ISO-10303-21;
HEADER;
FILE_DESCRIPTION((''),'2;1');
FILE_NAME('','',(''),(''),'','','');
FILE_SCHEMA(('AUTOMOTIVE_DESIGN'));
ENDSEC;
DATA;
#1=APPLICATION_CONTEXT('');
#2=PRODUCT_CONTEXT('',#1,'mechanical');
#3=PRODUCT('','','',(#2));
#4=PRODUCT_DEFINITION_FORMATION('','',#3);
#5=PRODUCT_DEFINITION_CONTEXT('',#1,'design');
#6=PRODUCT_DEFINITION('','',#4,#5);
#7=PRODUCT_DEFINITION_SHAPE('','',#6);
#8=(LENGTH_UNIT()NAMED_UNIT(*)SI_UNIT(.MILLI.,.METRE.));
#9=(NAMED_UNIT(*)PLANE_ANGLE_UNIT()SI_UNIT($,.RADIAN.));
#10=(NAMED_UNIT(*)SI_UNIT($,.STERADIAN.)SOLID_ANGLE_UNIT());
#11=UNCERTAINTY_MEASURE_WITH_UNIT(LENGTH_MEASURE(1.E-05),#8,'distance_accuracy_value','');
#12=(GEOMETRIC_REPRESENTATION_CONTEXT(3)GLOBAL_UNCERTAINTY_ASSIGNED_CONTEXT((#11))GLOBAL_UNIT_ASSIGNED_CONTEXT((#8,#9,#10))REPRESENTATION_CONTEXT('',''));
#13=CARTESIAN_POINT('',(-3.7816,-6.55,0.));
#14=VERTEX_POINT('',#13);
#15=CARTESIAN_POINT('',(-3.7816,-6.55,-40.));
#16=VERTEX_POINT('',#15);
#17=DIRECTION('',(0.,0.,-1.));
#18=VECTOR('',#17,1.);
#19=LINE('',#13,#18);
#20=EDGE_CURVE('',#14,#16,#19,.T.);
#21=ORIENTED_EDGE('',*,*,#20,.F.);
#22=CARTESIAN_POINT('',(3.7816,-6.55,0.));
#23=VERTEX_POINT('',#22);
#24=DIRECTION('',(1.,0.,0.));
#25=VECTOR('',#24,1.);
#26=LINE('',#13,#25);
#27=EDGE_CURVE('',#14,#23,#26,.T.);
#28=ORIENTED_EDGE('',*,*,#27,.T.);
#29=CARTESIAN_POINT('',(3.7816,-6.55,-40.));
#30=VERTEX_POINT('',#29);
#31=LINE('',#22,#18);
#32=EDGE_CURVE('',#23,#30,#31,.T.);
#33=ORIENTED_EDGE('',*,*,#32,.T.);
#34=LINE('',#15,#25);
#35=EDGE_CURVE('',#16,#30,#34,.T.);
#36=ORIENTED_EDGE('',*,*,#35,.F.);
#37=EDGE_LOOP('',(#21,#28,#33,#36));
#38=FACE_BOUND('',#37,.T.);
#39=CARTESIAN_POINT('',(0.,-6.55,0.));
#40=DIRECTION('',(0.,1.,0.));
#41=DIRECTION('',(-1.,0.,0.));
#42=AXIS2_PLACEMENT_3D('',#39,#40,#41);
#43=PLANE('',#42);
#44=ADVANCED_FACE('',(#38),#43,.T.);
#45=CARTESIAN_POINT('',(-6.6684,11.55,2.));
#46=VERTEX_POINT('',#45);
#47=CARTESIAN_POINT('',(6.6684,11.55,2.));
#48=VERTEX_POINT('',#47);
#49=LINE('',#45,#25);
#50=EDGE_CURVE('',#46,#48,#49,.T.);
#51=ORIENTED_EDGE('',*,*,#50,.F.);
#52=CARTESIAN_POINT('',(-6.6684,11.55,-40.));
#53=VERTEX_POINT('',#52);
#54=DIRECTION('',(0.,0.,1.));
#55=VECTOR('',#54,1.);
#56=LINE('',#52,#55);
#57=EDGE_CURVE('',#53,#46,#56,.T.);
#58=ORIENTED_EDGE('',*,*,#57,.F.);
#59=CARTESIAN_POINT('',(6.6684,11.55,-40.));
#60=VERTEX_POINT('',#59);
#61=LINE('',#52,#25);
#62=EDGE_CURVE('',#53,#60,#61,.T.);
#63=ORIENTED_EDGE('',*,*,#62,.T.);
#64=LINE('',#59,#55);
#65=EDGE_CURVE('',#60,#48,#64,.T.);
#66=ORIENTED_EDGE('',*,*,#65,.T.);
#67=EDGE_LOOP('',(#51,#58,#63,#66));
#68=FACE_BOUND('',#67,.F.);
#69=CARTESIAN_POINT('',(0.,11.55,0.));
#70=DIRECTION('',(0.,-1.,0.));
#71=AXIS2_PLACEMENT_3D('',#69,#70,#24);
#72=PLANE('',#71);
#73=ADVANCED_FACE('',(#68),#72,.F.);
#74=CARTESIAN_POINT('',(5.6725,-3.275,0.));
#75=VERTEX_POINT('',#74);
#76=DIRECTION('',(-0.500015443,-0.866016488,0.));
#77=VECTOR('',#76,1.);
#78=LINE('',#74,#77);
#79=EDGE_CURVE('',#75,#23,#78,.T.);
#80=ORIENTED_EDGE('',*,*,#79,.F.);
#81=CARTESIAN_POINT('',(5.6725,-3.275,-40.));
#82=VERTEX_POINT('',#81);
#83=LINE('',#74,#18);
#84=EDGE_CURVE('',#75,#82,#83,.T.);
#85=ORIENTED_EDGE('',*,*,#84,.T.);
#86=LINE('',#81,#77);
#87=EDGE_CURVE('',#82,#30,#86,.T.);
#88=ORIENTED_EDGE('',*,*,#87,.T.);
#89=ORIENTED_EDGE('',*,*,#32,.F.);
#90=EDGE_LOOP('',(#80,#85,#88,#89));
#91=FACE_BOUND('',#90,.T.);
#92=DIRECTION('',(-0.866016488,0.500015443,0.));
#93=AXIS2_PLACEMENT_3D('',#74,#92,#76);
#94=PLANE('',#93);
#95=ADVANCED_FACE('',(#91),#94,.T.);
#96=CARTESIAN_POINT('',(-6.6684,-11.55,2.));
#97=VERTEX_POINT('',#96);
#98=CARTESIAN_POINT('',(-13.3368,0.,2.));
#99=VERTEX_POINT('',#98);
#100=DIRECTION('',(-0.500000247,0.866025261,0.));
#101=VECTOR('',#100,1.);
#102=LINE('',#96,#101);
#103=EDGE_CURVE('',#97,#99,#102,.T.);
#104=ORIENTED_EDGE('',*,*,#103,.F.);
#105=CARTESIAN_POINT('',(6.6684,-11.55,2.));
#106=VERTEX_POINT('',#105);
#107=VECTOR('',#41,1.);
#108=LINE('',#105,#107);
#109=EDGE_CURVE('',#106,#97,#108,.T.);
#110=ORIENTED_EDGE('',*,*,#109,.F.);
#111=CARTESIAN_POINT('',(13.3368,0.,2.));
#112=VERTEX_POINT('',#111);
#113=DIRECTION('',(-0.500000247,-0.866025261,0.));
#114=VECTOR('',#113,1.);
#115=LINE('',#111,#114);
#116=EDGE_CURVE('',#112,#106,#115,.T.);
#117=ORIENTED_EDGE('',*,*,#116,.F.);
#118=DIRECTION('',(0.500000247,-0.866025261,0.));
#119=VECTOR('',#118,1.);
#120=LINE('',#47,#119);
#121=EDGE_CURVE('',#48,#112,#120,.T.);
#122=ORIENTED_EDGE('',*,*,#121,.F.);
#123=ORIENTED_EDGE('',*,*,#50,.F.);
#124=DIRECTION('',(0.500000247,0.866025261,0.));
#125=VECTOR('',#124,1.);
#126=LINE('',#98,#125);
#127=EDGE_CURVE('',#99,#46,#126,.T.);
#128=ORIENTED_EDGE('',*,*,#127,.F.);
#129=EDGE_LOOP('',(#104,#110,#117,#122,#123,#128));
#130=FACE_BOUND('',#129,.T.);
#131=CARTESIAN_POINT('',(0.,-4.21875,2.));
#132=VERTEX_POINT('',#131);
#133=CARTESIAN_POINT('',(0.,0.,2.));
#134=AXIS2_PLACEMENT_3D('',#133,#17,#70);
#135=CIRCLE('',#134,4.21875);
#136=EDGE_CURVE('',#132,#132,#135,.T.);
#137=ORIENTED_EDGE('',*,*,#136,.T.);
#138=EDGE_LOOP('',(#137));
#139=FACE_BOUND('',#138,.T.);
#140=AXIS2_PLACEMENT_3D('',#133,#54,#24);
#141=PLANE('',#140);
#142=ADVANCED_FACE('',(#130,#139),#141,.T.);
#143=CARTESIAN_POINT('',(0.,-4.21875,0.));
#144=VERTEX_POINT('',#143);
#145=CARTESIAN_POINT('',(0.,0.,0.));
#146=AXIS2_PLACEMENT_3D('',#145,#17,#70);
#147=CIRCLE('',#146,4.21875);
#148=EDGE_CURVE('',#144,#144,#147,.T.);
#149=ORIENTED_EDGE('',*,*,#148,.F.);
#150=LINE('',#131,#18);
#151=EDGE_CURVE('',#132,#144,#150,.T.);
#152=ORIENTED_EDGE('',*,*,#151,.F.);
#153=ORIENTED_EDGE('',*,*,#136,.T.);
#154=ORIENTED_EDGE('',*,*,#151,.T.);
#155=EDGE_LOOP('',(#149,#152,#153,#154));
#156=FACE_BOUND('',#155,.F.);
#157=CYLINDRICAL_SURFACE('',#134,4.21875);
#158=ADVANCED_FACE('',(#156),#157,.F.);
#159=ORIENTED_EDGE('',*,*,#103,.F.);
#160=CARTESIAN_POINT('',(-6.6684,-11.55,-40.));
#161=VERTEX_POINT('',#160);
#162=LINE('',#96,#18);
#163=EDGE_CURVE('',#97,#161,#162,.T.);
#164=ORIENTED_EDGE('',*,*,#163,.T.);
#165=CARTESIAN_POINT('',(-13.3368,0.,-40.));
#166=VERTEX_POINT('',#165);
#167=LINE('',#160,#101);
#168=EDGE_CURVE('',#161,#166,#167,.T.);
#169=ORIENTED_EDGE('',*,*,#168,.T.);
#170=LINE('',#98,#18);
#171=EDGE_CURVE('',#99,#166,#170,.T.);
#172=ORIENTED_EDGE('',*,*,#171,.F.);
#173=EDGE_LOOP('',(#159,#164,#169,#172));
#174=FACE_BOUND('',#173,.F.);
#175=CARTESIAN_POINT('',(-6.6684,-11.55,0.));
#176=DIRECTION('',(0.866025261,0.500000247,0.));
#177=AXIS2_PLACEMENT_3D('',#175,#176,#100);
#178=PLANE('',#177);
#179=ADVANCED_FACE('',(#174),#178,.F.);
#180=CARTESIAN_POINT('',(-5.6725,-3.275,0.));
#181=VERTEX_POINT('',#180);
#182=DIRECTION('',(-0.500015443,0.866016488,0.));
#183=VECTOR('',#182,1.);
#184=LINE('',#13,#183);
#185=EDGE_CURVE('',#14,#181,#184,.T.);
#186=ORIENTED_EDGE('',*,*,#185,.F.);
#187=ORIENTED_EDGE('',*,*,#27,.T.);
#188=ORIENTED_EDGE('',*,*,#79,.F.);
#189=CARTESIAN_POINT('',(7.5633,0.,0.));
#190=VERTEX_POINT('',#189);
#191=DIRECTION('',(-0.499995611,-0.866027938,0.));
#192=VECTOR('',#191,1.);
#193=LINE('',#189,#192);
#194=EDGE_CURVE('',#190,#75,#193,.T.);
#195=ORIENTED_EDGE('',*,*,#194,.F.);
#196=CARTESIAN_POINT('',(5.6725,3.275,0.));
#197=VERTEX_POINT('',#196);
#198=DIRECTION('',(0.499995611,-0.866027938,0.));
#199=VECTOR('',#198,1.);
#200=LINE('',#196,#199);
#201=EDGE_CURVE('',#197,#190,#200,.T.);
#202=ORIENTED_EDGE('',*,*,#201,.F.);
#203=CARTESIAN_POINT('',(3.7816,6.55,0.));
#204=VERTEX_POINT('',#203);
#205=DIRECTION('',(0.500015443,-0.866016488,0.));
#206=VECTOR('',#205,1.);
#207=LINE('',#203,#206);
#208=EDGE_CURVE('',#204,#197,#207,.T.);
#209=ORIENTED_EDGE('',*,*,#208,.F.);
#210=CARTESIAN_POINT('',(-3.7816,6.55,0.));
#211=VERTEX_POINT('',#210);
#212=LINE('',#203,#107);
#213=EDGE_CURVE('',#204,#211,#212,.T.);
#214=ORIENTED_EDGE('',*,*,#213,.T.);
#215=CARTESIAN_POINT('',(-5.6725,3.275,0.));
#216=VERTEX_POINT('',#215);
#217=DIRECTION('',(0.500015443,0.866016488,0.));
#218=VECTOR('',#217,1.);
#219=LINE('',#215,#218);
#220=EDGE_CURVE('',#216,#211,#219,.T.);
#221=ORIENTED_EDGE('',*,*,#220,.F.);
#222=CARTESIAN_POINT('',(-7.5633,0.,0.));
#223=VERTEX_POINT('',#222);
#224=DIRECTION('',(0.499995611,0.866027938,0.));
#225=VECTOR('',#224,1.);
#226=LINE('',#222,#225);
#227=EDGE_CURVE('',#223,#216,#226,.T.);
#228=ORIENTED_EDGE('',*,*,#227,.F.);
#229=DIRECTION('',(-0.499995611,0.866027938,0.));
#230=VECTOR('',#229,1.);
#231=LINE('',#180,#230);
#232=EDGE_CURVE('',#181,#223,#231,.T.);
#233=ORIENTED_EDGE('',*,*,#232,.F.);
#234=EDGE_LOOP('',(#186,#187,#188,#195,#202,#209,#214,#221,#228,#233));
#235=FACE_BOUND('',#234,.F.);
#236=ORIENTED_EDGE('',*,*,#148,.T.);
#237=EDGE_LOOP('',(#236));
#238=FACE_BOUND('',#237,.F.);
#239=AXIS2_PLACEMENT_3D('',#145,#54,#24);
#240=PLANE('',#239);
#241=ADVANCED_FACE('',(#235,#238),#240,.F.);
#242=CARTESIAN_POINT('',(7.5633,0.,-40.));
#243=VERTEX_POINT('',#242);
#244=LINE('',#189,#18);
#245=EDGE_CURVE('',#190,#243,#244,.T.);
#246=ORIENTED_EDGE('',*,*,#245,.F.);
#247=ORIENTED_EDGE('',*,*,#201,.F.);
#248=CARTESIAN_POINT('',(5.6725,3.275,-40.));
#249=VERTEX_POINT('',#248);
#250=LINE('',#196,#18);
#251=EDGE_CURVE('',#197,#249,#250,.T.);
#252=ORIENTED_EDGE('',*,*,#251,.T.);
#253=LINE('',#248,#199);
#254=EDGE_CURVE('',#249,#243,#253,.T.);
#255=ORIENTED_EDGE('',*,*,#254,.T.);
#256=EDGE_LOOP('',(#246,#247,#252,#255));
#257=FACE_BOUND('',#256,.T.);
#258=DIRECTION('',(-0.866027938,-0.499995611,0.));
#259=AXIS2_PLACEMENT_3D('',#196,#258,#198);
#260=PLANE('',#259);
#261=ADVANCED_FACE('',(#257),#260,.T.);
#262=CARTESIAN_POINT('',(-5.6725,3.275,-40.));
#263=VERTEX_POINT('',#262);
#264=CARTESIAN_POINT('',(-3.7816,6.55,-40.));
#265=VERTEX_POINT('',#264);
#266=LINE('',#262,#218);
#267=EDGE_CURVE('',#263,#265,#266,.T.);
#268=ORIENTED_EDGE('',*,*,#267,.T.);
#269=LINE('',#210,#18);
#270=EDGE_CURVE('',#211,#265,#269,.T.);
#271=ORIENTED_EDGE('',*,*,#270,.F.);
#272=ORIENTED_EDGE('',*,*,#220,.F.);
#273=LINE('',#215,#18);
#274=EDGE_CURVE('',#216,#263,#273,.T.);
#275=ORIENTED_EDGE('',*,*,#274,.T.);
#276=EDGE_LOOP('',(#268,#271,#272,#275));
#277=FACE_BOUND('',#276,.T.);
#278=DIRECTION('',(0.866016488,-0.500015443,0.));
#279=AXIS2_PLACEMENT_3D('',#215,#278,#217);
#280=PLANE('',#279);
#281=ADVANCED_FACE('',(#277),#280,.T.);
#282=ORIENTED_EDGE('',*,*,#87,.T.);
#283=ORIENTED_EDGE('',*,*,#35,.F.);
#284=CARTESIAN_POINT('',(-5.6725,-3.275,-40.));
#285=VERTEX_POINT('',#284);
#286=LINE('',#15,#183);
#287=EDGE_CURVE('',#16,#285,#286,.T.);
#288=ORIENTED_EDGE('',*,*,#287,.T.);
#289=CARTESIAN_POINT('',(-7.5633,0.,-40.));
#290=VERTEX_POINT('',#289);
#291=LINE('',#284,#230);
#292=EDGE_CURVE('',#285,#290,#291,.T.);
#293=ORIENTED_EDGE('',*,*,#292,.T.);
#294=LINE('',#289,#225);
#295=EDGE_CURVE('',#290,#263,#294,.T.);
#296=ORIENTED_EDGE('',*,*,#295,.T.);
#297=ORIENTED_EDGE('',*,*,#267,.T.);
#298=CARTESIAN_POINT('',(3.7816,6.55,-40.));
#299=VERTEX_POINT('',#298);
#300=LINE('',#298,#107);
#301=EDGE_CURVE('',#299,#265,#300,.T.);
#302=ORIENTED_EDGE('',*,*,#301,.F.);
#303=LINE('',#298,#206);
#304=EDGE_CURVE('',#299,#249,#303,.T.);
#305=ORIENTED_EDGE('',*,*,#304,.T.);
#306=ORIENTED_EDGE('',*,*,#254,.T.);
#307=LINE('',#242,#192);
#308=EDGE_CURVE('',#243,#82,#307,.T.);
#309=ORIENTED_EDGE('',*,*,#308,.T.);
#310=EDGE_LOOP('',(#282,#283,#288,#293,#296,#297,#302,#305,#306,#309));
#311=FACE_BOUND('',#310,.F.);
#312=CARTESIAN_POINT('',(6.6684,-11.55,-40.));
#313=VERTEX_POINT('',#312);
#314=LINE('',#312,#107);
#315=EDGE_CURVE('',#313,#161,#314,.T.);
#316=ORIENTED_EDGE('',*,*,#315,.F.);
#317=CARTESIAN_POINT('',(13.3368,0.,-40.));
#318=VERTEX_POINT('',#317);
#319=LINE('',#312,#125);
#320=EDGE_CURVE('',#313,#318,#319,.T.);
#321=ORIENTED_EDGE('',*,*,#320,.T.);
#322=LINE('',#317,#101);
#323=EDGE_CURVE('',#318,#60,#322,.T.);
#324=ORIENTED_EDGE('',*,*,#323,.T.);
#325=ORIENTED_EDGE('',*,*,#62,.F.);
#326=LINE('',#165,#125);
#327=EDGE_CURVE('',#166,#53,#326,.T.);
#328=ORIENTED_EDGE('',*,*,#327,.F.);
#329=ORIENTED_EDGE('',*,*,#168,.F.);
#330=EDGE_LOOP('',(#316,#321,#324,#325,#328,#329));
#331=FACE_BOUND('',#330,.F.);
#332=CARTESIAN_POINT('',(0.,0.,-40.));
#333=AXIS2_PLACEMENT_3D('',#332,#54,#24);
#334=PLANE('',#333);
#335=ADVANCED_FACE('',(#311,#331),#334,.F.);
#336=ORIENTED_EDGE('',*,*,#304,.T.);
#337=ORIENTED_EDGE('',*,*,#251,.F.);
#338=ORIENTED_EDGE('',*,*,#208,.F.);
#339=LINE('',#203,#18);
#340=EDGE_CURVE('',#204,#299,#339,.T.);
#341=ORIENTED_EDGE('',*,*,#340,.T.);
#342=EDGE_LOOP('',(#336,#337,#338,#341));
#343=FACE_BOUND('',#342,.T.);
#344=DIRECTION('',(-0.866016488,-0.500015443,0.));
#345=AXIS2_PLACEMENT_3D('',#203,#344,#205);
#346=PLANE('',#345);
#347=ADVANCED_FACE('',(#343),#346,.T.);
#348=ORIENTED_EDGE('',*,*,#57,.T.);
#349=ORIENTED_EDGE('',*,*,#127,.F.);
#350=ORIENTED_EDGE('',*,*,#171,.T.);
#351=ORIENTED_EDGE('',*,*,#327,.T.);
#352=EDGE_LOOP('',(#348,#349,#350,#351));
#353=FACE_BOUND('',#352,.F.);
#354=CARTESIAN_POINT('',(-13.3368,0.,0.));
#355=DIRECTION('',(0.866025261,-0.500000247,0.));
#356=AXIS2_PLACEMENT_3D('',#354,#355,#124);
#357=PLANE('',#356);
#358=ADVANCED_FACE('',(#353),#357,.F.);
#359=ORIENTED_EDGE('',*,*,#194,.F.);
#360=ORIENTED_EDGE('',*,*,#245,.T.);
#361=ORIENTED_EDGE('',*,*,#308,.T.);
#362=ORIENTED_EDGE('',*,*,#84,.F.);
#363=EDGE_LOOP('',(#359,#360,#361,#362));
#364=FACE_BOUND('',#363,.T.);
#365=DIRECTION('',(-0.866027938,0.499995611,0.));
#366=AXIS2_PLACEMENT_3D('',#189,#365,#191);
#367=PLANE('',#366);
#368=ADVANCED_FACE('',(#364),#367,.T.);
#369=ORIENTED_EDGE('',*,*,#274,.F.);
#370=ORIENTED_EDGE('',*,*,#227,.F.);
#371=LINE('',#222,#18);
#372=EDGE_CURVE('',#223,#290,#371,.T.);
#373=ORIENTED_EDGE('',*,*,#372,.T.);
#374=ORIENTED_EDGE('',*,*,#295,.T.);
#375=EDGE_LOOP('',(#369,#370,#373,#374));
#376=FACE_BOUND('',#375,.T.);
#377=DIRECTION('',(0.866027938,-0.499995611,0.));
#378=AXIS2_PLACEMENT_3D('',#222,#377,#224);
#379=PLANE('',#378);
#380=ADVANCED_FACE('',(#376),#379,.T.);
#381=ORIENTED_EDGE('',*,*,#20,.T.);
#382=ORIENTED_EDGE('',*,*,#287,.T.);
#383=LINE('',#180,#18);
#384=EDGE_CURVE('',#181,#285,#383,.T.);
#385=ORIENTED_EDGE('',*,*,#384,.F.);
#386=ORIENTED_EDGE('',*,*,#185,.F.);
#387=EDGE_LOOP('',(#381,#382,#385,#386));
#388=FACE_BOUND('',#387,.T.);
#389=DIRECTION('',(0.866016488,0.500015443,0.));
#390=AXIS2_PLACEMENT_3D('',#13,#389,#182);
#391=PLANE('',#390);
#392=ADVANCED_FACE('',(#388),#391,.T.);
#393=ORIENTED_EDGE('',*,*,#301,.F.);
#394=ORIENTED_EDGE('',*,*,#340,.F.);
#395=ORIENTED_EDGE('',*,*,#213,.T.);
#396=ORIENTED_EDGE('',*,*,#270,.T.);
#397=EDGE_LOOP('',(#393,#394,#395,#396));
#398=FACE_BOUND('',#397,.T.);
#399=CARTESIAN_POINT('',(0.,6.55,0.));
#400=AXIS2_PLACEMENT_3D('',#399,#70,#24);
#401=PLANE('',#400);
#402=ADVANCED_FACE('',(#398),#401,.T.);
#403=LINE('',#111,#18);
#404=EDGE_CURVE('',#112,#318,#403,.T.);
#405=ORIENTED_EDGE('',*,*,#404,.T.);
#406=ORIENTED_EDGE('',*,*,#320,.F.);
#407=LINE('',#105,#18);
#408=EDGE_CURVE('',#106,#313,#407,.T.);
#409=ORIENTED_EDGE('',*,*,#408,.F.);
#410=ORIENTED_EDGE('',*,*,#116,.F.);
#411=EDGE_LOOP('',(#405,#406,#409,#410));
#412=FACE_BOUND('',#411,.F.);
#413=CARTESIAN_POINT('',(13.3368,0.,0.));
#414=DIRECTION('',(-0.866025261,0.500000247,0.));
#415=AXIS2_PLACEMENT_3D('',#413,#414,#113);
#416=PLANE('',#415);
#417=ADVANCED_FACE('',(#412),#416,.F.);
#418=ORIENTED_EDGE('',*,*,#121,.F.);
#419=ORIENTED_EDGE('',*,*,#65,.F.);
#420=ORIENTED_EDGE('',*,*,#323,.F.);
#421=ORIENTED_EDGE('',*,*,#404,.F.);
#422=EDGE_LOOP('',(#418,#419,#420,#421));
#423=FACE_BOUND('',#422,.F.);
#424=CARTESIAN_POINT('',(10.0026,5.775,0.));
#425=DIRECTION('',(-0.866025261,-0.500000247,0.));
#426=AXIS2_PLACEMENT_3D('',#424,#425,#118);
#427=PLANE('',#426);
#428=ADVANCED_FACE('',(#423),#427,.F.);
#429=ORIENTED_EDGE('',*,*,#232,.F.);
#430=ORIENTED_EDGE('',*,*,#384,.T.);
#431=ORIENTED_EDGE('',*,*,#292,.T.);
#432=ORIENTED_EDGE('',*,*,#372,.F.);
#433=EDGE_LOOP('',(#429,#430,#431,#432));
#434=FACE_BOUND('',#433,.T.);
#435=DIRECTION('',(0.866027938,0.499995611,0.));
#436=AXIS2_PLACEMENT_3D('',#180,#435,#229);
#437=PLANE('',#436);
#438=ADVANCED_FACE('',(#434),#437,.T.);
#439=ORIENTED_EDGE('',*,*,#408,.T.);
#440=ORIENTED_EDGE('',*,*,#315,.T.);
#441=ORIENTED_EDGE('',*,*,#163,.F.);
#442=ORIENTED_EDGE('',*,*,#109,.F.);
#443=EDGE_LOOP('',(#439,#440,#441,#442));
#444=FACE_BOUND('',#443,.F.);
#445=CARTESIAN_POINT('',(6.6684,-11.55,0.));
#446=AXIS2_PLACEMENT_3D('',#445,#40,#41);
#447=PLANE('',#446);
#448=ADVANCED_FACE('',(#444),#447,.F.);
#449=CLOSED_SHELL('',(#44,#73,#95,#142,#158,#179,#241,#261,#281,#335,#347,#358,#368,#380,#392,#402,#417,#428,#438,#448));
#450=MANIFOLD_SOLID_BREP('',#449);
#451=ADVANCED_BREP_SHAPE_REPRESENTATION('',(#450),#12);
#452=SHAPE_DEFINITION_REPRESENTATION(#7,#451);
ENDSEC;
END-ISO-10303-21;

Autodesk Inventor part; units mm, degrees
ref_plane "YZ Plane" through (0, 0, 0) normal (1, 0, 0) x (0, 1, 0)
ref_plane "XZ Plane" through (0, 0, 0) normal (0, 1, 0) x (-1, 0, 0)
ref_plane "XY Plane" through (0, 0, 0) normal (0, 0, 1) x (1, 0, 0)
sketch "Sketch1" plane through (0, 0, 0) normal (0, 0, 1) x (1, 0, 0)
  line L0 (5.4993, 3.175) -> (7.3323, 0)
  line L1 (0, 6.35) -> (3.6662, 6.35)
  line L2 (3.6662, 6.35) -> (5.4993, 3.175)
  line L3 (7.3323, 0) -> (5.4993, -3.175)
  line L4 (5.4993, -3.175) -> (3.6662, -6.35)
  line L5 (3.6662, -6.35) -> (0, -6.35)
  line L6 (0, -6.35) -> (-3.6662, -6.35)
  line L7 (-3.6662, -6.35) -> (-5.4993, -3.175)
  line L8 (-5.4993, -3.175) -> (-7.3323, 0)
  line L9 (-7.3323, 0) -> (-5.4993, 3.175)
  line L10 (-5.4993, 3.175) -> (-3.6662, 6.35)
  line L11 (-3.6662, 6.35) -> (0, 6.35)
  line L12 (5.6725, 3.275) -> (7.5633, 0)
  line L13 (7.5633, 0) -> (5.6725, -3.275)
  line L14 (5.6725, -3.275) -> (3.7816, -6.55)
  line L15 (3.7816, -6.55) -> (0, -6.55)
  line L16 (0, -6.55) -> (-3.7816, -6.55)
  line L17 (-3.7816, -6.55) -> (-5.6725, -3.275)
  line L18 (-5.6725, -3.275) -> (-7.5633, 0)
  line L19 (-7.5633, 0) -> (-5.6725, 3.275)
  line L20 (-5.6725, 3.275) -> (-3.7816, 6.55)
  line L21 (-3.7816, 6.55) -> (0, 6.55)
  line L22 (0, 6.55) -> (3.7816, 6.55)
  line L23 (3.7816, 6.55) -> (5.6725, 3.275)
  line L24 (10.0026, 5.775) -> (13.3368, 0)
  line L25 (13.3368, 0) -> (10.0026, -5.775)
  line L26 (10.0026, -5.775) -> (6.6684, -11.55)
  line L27 (6.6684, -11.55) -> (0, -11.55)
  line L28 (0, -11.55) -> (-6.6684, -11.55)
  line L29 (-6.6684, -11.55) -> (-10.0026, -5.775)
  line L30 (-10.0026, -5.775) -> (-13.3368, 0)
  line L31 (-13.3368, 0) -> (-10.0026, 5.775)
  line L32 (-10.0026, 5.775) -> (-6.6684, 11.55)
  line L33 (-6.6684, 11.55) -> (0, 11.55)
  line L34 (0, 11.55) -> (6.6684, 11.55)
  line L35 (6.6684, 11.55) -> (10.0026, 5.775)
  point P0 (0, 0)
  dimension "d0" = 0.2
  dimension "d1" = 5
extrude "Extrusion1" add sketch "Sketch1" against normal blind 40 contours L24 L25 L26 L27 L28 L29 L30 L31 L32 L33 L34 L35
sketch "Sketch2" plane through (0, 0, 0) normal (0, 0, 1) x (1, 0, 0)
  line L0 (-3.7816, 6.55) -> (3.7816, 6.55) projected
  line L1 (3.7816, 6.55) -> (7.5633, 0) projected
  line L2 (7.5633, 0) -> (3.7816, -6.55) projected
  line L3 (3.7816, -6.55) -> (-3.7816, -6.55) projected
  line L4 (-3.7816, -6.55) -> (-7.5633, 0) projected
  line L5 (-7.5633, 0) -> (-3.7816, 6.55) projected
  line L6 (6.6684, 11.55) -> (13.3368, 0) projected
  line L7 (-6.6684, 11.55) -> (6.6684, 11.55) projected
  line L8 (-13.3368, 0) -> (-6.6684, 11.55) projected
  line L9 (-6.6684, -11.55) -> (-13.3368, 0) projected
  line L10 (6.6684, -11.55) -> (-6.6684, -11.55) projected
  line L11 (13.3368, 0) -> (6.6684, -11.55) projected
  point P0 (0, 0)
extrude "Extrusion2" add sketch "Sketch2" along normal blind 2 contours L0 L1 L2 L3 L4 L5 | L6 L11 L10 L9 L8 L7
sketch "Sketch3" plane through (0, 0, 2) normal (0, 0, 1) x (1, 0, 0)
  point P0 (0, 0)
  point P1 (0, 0)
hole "Hole1" at (0, 0, 2) direction (0, 0, -1) diameter 8.4375 end through all
properties part number "AntiBacklash" material "ABS Plastic"
